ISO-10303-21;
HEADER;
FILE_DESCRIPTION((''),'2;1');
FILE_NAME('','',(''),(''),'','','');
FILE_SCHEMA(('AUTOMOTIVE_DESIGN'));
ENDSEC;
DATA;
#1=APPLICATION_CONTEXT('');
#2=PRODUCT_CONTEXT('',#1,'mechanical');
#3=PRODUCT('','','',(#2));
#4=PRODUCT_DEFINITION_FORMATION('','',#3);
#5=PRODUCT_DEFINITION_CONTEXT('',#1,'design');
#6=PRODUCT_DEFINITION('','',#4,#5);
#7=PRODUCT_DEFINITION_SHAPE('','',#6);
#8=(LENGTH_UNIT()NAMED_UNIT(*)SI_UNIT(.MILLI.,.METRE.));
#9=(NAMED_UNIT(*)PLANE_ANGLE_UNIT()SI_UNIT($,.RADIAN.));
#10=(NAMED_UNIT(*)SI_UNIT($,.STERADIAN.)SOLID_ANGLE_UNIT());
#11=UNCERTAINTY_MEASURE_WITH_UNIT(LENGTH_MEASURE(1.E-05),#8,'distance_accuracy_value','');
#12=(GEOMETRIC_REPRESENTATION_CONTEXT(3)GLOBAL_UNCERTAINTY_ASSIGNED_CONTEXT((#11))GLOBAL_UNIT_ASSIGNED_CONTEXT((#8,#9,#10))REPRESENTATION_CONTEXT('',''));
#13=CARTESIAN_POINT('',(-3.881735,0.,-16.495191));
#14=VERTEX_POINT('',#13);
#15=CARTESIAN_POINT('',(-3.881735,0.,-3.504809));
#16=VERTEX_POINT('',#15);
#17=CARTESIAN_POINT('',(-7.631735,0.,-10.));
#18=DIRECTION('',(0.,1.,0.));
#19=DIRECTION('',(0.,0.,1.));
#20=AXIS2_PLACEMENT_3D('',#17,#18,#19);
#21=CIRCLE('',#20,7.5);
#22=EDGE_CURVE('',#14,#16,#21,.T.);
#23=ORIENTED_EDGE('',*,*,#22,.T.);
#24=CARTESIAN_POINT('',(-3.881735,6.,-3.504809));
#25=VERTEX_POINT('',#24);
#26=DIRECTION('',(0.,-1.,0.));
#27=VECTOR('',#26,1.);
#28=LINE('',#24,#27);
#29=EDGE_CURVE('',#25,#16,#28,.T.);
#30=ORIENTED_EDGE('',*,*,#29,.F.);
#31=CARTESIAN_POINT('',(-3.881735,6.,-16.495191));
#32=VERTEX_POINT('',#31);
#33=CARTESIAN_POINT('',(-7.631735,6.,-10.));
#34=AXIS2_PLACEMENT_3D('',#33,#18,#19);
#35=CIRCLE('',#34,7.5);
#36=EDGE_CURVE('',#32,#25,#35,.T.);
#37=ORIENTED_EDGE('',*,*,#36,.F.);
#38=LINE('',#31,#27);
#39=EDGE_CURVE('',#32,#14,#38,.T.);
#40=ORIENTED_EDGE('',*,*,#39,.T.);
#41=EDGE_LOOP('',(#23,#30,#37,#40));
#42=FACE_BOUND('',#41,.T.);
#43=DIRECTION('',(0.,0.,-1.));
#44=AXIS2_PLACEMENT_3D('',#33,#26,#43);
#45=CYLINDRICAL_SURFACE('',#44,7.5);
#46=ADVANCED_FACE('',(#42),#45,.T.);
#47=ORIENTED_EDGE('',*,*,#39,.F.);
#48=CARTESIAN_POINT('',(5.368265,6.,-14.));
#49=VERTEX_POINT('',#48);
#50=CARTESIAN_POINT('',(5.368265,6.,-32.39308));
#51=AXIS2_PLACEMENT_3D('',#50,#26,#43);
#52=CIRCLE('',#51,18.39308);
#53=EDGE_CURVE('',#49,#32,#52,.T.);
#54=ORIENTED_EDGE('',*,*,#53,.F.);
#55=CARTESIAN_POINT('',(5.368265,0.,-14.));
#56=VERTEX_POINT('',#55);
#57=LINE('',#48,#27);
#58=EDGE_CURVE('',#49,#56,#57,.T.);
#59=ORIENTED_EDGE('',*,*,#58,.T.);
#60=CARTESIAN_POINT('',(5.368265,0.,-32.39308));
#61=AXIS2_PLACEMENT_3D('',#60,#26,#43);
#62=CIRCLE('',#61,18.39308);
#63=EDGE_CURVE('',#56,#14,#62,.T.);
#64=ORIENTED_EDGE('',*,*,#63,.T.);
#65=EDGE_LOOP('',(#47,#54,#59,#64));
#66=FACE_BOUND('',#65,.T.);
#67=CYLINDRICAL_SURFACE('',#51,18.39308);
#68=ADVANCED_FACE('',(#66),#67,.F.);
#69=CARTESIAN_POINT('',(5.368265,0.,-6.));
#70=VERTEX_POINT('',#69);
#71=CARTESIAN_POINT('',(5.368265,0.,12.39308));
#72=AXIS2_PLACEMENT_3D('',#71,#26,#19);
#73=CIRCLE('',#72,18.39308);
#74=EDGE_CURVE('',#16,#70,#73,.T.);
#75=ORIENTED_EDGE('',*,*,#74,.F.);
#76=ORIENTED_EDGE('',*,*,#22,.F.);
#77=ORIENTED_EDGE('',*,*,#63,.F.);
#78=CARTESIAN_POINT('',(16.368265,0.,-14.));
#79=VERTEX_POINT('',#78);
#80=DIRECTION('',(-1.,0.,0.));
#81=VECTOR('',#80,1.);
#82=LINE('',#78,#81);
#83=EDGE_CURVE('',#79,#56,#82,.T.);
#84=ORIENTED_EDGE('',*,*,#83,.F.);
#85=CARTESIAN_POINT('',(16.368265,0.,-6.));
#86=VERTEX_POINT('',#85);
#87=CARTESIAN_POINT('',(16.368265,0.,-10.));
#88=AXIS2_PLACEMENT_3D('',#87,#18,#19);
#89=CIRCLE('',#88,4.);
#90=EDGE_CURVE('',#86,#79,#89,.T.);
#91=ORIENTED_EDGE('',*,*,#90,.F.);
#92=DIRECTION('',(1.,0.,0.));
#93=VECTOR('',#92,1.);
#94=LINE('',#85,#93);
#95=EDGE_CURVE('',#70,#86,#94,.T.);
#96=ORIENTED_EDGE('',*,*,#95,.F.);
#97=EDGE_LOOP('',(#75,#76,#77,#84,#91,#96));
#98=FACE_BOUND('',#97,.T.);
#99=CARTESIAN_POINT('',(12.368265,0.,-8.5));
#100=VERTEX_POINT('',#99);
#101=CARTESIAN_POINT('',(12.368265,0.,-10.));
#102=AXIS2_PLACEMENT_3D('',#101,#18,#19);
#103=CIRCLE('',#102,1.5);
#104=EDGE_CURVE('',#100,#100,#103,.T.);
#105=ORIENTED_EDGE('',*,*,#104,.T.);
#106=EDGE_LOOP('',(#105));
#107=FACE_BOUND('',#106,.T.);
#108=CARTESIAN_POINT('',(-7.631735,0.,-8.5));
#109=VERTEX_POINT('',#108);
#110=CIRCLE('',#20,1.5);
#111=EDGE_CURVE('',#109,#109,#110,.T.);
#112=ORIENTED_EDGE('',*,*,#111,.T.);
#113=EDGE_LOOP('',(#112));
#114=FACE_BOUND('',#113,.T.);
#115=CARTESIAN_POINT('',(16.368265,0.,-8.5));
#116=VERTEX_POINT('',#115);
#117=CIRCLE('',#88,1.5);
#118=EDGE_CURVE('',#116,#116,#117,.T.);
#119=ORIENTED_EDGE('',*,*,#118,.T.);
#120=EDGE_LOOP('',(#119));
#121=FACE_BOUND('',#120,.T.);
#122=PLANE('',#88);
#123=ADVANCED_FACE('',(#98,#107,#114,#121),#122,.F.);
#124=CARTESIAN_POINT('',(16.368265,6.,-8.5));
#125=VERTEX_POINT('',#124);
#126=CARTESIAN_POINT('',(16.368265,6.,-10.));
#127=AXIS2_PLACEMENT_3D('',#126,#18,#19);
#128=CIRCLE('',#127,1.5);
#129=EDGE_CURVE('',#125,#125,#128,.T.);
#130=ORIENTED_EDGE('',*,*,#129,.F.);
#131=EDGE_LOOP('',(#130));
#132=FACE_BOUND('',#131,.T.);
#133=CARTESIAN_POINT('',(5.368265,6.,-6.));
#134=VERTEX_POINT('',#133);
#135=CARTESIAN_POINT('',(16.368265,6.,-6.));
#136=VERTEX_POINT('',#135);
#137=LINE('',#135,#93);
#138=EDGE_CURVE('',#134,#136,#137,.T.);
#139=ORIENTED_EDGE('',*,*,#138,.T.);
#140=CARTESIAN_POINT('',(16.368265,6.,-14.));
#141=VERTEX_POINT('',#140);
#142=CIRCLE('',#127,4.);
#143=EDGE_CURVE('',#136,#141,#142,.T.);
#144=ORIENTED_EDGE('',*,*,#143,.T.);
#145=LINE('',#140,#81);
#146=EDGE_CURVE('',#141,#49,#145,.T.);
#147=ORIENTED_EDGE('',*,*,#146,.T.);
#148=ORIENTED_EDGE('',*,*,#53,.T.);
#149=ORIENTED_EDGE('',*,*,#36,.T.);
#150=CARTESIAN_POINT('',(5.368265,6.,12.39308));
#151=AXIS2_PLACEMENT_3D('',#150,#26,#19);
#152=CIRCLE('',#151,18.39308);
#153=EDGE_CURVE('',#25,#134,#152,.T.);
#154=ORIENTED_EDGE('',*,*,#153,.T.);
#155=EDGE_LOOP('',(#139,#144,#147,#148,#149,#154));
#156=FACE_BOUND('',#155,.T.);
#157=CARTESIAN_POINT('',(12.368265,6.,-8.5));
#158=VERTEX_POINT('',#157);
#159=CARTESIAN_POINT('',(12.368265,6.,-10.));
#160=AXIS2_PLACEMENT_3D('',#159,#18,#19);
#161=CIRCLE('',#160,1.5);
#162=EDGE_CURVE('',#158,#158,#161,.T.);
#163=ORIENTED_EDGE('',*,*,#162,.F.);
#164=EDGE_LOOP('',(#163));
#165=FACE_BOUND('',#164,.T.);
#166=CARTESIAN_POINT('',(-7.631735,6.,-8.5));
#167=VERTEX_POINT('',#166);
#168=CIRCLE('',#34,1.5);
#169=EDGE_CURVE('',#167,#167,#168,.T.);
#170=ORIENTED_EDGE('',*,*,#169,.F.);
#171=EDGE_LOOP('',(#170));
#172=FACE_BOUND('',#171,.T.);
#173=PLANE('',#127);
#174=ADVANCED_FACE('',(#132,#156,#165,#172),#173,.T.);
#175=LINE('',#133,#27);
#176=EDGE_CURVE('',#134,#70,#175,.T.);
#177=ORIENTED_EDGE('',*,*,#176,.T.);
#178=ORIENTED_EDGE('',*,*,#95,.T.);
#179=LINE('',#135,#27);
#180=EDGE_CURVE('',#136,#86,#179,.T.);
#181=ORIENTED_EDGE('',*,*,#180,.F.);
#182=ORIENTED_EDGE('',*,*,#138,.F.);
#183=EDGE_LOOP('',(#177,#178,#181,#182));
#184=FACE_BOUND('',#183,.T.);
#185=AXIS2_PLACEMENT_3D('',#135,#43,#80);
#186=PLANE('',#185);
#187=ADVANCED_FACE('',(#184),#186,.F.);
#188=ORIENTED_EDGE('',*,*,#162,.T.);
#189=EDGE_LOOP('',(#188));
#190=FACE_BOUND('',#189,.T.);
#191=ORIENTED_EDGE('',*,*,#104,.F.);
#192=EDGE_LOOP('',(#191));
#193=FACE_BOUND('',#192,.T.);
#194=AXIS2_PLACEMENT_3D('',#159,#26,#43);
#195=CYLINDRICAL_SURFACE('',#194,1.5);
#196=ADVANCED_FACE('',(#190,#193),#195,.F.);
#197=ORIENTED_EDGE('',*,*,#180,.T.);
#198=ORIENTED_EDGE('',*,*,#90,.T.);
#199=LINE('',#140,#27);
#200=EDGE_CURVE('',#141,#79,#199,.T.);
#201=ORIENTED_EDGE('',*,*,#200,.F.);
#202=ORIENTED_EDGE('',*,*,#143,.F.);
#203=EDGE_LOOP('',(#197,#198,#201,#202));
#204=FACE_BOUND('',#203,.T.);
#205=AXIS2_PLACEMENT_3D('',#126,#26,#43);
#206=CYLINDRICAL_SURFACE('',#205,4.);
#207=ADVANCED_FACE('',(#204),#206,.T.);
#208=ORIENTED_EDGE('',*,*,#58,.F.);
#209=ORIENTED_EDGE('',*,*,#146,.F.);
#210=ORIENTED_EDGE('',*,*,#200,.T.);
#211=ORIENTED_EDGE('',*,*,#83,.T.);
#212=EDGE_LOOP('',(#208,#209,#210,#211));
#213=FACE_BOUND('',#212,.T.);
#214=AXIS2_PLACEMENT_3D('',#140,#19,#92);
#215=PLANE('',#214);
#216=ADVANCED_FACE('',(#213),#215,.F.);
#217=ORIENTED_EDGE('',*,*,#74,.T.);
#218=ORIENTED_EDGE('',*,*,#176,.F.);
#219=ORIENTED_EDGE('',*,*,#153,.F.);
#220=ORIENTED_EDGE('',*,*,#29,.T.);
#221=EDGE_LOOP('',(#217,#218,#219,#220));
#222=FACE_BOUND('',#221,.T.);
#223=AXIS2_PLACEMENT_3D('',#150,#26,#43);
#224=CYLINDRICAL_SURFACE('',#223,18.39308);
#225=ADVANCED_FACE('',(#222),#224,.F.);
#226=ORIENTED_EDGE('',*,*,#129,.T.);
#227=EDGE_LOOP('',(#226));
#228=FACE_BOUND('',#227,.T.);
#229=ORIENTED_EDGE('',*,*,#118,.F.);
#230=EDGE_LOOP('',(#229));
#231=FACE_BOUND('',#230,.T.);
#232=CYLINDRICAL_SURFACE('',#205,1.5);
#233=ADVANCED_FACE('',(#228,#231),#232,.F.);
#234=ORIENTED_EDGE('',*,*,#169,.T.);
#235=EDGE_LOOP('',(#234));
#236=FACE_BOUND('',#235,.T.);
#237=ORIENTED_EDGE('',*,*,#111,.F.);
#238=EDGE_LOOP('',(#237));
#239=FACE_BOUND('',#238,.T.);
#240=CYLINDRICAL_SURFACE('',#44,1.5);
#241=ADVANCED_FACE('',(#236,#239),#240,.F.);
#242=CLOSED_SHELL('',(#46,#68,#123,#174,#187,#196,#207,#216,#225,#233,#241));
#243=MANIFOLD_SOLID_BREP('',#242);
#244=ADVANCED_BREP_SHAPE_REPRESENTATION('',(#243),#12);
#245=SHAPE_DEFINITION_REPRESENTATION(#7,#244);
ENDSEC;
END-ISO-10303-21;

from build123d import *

# Parameters (mm, degrees)
SKETCH_3_R      = 1.5
EXTRUDE_1_DEPTH = 6


with BuildPart() as part:
    # 草图3 → 凸台-拉伸1 (new body)
    with BuildSketch(Plane(origin=(0, 0, 0), x_dir=(1, 0, 0), z_dir=(0, 1, 0))):
        with BuildLine():
            Line((16.368265324, 14), (5.368265324, 14))
            ThreePointArc((5.368265324, 14), (0.577950205, 14.634750338), (-3.881734676, 16.495190528))
            ThreePointArc((-3.881734676, 16.495190528), (-15.131734676, 10), (-3.881734676, 3.504809472))
            ThreePointArc((-3.881734676, 3.504809472), (0.577950205, 5.365249662), (5.368265324, 6))
            Line((5.368265324, 6), (16.368265324, 6))
            ThreePointArc((16.368265324, 6), (20.368265324, 10), (16.368265324, 14))
        make_face()
        with Locations(Location((-7.631734676, 10, 0), (0, 0, 270))):
            Circle(SKETCH_3_R, mode=Mode.SUBTRACT)
        with Locations(Location((12.368265324, 10, 0), (0, 0, 270))):
            Circle(SKETCH_3_R, mode=Mode.SUBTRACT)
        with Locations(Location((16.368265324, 10, 0), (0, 0, 270))):
            Circle(SKETCH_3_R, mode=Mode.SUBTRACT)
    extrude(amount=EXTRUDE_1_DEPTH)


solid = part.part
